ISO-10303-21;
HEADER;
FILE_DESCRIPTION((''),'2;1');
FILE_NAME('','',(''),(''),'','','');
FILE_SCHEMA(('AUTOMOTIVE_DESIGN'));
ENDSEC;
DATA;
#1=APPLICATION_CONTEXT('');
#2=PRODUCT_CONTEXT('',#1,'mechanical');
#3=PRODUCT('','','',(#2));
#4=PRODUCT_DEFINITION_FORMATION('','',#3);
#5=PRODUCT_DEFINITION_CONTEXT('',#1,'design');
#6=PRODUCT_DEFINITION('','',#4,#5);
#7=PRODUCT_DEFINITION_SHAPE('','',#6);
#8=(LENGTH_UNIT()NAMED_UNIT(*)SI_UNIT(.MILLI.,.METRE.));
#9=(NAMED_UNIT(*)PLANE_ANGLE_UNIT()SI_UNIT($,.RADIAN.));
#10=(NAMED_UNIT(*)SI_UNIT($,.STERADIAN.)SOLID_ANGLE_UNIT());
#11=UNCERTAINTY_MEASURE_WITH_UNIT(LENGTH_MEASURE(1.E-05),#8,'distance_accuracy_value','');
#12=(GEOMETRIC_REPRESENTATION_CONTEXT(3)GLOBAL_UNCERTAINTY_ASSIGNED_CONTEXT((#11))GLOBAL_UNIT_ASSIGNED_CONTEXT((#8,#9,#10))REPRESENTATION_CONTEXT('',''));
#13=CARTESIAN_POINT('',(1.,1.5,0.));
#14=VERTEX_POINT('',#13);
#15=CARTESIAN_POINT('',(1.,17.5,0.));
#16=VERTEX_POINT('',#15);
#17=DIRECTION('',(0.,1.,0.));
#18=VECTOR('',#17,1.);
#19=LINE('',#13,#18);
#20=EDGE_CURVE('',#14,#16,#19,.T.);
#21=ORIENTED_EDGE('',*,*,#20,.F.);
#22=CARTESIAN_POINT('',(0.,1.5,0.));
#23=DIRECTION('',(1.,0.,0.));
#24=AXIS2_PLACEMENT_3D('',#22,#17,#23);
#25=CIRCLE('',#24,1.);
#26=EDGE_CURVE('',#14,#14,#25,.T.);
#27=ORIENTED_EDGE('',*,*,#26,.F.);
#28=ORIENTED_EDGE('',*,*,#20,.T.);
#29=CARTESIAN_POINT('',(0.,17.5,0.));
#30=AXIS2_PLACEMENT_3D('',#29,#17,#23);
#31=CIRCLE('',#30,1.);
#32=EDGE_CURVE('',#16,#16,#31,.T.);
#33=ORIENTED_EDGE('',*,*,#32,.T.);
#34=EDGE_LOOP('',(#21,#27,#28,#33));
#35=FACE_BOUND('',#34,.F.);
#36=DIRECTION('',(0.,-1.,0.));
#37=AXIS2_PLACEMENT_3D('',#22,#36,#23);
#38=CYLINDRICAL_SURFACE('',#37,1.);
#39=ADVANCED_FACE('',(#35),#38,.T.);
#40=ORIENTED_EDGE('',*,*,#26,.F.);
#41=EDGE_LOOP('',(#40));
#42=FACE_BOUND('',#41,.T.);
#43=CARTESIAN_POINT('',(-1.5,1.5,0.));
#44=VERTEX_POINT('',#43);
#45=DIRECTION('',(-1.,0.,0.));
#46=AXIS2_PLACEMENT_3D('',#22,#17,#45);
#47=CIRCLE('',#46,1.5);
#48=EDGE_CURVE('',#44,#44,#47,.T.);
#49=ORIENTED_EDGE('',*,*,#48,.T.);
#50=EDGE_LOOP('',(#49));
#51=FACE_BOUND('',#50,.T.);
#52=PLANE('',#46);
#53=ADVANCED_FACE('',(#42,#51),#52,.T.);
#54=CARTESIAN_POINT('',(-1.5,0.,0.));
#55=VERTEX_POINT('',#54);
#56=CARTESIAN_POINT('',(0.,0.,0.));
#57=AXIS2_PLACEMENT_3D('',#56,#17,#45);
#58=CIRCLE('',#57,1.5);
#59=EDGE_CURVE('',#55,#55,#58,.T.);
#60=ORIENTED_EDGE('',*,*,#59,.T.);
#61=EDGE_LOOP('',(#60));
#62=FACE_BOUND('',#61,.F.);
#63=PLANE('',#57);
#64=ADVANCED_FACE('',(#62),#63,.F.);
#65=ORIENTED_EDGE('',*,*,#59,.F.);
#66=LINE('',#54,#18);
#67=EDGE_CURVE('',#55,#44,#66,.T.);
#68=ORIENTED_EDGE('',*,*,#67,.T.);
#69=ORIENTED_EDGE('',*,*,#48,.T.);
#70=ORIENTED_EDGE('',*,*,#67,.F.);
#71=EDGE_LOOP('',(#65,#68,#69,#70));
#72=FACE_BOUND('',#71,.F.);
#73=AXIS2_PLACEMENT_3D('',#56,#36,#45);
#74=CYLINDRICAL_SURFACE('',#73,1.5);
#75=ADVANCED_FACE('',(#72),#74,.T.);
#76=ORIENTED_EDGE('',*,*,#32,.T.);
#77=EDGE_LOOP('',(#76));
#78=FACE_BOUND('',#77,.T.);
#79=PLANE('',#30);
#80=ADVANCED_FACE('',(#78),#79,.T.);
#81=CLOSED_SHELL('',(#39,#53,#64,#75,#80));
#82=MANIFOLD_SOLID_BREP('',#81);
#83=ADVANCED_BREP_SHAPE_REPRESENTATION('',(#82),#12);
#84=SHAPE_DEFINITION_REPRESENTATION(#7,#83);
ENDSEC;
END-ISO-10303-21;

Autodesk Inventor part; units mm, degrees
ref_plane "YZ Plane" through (0, 0, 0) normal (1, 0, 0) x (0, 1, 0)
ref_plane "XZ Plane" through (0, 0, 0) normal (0, 1, 0) x (-1, 0, 0)
ref_plane "XY Plane" through (0, 0, 0) normal (0, 0, 1) x (1, 0, 0)
sketch "Sketch1" plane through (0, 0, 0) normal (0, 1, 0) x (-1, 0, 0)
  circle A0 centre (0, 0) radius 1.5
  dimension "d0" = 3
extrude "Extrusion1" add sketch "Sketch1" along normal blind 1.5
sketch "Sketch2" plane through (0, 1.5, 0) normal (0, 1, 0) x (1, 0, 0)
  circle A0 centre (0, 0) radius 1.5 projected
  circle A1 centre (0, 0) radius 1
  dimension "d3" = 2
extrude "Extrusion2" add sketch "Sketch2" along normal blind 16 contours A1
thread "Thread1" size "M2x0.4" class "6g" standard "ANSI Metric M Profile" full length
properties part number "M2x16"
